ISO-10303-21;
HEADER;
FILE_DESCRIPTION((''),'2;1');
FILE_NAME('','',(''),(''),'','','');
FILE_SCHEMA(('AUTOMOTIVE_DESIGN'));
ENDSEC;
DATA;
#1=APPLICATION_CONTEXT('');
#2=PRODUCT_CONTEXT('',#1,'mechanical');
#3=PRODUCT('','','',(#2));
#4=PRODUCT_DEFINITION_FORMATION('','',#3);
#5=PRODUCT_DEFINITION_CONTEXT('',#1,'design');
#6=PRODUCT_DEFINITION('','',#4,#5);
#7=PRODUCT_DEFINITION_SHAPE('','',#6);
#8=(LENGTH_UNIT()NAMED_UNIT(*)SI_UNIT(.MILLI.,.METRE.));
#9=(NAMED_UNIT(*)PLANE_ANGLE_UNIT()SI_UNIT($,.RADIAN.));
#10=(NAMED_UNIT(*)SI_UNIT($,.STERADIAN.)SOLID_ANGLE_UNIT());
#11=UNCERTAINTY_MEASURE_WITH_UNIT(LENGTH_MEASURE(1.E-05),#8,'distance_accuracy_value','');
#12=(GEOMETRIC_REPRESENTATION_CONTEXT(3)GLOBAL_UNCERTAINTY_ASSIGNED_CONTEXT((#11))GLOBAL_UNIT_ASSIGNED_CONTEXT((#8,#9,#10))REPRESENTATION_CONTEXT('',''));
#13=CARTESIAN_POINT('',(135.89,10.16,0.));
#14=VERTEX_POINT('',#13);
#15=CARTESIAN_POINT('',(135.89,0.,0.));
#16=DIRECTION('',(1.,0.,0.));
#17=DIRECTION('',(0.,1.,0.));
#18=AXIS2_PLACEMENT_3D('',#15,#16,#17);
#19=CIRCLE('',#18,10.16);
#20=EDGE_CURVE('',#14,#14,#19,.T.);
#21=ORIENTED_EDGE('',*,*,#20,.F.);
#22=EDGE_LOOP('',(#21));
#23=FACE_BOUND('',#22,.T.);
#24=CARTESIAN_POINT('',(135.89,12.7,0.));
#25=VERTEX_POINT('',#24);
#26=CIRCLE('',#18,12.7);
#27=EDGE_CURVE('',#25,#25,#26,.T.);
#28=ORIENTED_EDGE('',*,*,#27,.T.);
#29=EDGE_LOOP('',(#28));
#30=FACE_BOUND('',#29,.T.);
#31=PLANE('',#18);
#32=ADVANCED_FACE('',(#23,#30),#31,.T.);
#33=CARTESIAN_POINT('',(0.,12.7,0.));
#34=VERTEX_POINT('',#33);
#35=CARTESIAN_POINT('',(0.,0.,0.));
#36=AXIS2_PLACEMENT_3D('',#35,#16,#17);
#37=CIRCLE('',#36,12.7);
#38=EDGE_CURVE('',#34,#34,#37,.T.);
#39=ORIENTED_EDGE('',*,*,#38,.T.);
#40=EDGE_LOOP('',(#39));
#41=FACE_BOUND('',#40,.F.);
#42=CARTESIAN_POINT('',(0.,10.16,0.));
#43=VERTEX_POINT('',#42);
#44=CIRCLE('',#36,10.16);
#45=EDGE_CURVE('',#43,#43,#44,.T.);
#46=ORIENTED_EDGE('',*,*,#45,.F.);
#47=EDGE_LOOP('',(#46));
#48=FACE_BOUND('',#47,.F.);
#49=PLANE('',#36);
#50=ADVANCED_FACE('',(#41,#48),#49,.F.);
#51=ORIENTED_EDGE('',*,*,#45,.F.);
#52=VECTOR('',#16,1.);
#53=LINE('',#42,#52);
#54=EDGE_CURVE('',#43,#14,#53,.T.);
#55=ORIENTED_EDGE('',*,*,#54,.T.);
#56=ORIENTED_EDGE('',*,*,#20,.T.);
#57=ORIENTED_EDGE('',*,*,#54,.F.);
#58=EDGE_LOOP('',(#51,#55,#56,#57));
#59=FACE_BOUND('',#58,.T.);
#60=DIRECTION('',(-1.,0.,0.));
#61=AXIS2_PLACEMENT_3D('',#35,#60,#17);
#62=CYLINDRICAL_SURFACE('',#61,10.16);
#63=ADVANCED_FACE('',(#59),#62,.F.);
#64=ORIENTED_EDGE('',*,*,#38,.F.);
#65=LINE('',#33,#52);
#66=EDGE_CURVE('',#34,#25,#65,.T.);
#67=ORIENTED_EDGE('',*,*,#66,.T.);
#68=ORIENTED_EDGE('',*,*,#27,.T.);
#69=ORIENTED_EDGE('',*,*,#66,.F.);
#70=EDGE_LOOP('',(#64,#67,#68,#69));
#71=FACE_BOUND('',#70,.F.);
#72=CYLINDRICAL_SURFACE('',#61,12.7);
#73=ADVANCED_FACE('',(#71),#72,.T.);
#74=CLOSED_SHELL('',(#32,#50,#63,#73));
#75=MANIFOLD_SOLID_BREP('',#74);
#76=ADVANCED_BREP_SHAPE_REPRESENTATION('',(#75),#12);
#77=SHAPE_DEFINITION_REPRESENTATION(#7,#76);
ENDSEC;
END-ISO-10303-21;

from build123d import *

# Parameters (mm, degrees)
F0_R     = 12.7
F1_DEPTH = 135.89
F2_T     = -2.54


with BuildPart() as f1:
    # F0 (on Right) → F1 (new body)
    with BuildSketch(Plane.YZ):
        Circle(F0_R)
    extrude(amount=F1_DEPTH)

    # F2
    f2_openings = [f1.faces().sort_by_distance(p)[0] for p in [
        (135.89, 0, 0),
        (0, 0, 0),
    ]]
    offset(amount=F2_T, openings=f2_openings)


solid = f1.part
